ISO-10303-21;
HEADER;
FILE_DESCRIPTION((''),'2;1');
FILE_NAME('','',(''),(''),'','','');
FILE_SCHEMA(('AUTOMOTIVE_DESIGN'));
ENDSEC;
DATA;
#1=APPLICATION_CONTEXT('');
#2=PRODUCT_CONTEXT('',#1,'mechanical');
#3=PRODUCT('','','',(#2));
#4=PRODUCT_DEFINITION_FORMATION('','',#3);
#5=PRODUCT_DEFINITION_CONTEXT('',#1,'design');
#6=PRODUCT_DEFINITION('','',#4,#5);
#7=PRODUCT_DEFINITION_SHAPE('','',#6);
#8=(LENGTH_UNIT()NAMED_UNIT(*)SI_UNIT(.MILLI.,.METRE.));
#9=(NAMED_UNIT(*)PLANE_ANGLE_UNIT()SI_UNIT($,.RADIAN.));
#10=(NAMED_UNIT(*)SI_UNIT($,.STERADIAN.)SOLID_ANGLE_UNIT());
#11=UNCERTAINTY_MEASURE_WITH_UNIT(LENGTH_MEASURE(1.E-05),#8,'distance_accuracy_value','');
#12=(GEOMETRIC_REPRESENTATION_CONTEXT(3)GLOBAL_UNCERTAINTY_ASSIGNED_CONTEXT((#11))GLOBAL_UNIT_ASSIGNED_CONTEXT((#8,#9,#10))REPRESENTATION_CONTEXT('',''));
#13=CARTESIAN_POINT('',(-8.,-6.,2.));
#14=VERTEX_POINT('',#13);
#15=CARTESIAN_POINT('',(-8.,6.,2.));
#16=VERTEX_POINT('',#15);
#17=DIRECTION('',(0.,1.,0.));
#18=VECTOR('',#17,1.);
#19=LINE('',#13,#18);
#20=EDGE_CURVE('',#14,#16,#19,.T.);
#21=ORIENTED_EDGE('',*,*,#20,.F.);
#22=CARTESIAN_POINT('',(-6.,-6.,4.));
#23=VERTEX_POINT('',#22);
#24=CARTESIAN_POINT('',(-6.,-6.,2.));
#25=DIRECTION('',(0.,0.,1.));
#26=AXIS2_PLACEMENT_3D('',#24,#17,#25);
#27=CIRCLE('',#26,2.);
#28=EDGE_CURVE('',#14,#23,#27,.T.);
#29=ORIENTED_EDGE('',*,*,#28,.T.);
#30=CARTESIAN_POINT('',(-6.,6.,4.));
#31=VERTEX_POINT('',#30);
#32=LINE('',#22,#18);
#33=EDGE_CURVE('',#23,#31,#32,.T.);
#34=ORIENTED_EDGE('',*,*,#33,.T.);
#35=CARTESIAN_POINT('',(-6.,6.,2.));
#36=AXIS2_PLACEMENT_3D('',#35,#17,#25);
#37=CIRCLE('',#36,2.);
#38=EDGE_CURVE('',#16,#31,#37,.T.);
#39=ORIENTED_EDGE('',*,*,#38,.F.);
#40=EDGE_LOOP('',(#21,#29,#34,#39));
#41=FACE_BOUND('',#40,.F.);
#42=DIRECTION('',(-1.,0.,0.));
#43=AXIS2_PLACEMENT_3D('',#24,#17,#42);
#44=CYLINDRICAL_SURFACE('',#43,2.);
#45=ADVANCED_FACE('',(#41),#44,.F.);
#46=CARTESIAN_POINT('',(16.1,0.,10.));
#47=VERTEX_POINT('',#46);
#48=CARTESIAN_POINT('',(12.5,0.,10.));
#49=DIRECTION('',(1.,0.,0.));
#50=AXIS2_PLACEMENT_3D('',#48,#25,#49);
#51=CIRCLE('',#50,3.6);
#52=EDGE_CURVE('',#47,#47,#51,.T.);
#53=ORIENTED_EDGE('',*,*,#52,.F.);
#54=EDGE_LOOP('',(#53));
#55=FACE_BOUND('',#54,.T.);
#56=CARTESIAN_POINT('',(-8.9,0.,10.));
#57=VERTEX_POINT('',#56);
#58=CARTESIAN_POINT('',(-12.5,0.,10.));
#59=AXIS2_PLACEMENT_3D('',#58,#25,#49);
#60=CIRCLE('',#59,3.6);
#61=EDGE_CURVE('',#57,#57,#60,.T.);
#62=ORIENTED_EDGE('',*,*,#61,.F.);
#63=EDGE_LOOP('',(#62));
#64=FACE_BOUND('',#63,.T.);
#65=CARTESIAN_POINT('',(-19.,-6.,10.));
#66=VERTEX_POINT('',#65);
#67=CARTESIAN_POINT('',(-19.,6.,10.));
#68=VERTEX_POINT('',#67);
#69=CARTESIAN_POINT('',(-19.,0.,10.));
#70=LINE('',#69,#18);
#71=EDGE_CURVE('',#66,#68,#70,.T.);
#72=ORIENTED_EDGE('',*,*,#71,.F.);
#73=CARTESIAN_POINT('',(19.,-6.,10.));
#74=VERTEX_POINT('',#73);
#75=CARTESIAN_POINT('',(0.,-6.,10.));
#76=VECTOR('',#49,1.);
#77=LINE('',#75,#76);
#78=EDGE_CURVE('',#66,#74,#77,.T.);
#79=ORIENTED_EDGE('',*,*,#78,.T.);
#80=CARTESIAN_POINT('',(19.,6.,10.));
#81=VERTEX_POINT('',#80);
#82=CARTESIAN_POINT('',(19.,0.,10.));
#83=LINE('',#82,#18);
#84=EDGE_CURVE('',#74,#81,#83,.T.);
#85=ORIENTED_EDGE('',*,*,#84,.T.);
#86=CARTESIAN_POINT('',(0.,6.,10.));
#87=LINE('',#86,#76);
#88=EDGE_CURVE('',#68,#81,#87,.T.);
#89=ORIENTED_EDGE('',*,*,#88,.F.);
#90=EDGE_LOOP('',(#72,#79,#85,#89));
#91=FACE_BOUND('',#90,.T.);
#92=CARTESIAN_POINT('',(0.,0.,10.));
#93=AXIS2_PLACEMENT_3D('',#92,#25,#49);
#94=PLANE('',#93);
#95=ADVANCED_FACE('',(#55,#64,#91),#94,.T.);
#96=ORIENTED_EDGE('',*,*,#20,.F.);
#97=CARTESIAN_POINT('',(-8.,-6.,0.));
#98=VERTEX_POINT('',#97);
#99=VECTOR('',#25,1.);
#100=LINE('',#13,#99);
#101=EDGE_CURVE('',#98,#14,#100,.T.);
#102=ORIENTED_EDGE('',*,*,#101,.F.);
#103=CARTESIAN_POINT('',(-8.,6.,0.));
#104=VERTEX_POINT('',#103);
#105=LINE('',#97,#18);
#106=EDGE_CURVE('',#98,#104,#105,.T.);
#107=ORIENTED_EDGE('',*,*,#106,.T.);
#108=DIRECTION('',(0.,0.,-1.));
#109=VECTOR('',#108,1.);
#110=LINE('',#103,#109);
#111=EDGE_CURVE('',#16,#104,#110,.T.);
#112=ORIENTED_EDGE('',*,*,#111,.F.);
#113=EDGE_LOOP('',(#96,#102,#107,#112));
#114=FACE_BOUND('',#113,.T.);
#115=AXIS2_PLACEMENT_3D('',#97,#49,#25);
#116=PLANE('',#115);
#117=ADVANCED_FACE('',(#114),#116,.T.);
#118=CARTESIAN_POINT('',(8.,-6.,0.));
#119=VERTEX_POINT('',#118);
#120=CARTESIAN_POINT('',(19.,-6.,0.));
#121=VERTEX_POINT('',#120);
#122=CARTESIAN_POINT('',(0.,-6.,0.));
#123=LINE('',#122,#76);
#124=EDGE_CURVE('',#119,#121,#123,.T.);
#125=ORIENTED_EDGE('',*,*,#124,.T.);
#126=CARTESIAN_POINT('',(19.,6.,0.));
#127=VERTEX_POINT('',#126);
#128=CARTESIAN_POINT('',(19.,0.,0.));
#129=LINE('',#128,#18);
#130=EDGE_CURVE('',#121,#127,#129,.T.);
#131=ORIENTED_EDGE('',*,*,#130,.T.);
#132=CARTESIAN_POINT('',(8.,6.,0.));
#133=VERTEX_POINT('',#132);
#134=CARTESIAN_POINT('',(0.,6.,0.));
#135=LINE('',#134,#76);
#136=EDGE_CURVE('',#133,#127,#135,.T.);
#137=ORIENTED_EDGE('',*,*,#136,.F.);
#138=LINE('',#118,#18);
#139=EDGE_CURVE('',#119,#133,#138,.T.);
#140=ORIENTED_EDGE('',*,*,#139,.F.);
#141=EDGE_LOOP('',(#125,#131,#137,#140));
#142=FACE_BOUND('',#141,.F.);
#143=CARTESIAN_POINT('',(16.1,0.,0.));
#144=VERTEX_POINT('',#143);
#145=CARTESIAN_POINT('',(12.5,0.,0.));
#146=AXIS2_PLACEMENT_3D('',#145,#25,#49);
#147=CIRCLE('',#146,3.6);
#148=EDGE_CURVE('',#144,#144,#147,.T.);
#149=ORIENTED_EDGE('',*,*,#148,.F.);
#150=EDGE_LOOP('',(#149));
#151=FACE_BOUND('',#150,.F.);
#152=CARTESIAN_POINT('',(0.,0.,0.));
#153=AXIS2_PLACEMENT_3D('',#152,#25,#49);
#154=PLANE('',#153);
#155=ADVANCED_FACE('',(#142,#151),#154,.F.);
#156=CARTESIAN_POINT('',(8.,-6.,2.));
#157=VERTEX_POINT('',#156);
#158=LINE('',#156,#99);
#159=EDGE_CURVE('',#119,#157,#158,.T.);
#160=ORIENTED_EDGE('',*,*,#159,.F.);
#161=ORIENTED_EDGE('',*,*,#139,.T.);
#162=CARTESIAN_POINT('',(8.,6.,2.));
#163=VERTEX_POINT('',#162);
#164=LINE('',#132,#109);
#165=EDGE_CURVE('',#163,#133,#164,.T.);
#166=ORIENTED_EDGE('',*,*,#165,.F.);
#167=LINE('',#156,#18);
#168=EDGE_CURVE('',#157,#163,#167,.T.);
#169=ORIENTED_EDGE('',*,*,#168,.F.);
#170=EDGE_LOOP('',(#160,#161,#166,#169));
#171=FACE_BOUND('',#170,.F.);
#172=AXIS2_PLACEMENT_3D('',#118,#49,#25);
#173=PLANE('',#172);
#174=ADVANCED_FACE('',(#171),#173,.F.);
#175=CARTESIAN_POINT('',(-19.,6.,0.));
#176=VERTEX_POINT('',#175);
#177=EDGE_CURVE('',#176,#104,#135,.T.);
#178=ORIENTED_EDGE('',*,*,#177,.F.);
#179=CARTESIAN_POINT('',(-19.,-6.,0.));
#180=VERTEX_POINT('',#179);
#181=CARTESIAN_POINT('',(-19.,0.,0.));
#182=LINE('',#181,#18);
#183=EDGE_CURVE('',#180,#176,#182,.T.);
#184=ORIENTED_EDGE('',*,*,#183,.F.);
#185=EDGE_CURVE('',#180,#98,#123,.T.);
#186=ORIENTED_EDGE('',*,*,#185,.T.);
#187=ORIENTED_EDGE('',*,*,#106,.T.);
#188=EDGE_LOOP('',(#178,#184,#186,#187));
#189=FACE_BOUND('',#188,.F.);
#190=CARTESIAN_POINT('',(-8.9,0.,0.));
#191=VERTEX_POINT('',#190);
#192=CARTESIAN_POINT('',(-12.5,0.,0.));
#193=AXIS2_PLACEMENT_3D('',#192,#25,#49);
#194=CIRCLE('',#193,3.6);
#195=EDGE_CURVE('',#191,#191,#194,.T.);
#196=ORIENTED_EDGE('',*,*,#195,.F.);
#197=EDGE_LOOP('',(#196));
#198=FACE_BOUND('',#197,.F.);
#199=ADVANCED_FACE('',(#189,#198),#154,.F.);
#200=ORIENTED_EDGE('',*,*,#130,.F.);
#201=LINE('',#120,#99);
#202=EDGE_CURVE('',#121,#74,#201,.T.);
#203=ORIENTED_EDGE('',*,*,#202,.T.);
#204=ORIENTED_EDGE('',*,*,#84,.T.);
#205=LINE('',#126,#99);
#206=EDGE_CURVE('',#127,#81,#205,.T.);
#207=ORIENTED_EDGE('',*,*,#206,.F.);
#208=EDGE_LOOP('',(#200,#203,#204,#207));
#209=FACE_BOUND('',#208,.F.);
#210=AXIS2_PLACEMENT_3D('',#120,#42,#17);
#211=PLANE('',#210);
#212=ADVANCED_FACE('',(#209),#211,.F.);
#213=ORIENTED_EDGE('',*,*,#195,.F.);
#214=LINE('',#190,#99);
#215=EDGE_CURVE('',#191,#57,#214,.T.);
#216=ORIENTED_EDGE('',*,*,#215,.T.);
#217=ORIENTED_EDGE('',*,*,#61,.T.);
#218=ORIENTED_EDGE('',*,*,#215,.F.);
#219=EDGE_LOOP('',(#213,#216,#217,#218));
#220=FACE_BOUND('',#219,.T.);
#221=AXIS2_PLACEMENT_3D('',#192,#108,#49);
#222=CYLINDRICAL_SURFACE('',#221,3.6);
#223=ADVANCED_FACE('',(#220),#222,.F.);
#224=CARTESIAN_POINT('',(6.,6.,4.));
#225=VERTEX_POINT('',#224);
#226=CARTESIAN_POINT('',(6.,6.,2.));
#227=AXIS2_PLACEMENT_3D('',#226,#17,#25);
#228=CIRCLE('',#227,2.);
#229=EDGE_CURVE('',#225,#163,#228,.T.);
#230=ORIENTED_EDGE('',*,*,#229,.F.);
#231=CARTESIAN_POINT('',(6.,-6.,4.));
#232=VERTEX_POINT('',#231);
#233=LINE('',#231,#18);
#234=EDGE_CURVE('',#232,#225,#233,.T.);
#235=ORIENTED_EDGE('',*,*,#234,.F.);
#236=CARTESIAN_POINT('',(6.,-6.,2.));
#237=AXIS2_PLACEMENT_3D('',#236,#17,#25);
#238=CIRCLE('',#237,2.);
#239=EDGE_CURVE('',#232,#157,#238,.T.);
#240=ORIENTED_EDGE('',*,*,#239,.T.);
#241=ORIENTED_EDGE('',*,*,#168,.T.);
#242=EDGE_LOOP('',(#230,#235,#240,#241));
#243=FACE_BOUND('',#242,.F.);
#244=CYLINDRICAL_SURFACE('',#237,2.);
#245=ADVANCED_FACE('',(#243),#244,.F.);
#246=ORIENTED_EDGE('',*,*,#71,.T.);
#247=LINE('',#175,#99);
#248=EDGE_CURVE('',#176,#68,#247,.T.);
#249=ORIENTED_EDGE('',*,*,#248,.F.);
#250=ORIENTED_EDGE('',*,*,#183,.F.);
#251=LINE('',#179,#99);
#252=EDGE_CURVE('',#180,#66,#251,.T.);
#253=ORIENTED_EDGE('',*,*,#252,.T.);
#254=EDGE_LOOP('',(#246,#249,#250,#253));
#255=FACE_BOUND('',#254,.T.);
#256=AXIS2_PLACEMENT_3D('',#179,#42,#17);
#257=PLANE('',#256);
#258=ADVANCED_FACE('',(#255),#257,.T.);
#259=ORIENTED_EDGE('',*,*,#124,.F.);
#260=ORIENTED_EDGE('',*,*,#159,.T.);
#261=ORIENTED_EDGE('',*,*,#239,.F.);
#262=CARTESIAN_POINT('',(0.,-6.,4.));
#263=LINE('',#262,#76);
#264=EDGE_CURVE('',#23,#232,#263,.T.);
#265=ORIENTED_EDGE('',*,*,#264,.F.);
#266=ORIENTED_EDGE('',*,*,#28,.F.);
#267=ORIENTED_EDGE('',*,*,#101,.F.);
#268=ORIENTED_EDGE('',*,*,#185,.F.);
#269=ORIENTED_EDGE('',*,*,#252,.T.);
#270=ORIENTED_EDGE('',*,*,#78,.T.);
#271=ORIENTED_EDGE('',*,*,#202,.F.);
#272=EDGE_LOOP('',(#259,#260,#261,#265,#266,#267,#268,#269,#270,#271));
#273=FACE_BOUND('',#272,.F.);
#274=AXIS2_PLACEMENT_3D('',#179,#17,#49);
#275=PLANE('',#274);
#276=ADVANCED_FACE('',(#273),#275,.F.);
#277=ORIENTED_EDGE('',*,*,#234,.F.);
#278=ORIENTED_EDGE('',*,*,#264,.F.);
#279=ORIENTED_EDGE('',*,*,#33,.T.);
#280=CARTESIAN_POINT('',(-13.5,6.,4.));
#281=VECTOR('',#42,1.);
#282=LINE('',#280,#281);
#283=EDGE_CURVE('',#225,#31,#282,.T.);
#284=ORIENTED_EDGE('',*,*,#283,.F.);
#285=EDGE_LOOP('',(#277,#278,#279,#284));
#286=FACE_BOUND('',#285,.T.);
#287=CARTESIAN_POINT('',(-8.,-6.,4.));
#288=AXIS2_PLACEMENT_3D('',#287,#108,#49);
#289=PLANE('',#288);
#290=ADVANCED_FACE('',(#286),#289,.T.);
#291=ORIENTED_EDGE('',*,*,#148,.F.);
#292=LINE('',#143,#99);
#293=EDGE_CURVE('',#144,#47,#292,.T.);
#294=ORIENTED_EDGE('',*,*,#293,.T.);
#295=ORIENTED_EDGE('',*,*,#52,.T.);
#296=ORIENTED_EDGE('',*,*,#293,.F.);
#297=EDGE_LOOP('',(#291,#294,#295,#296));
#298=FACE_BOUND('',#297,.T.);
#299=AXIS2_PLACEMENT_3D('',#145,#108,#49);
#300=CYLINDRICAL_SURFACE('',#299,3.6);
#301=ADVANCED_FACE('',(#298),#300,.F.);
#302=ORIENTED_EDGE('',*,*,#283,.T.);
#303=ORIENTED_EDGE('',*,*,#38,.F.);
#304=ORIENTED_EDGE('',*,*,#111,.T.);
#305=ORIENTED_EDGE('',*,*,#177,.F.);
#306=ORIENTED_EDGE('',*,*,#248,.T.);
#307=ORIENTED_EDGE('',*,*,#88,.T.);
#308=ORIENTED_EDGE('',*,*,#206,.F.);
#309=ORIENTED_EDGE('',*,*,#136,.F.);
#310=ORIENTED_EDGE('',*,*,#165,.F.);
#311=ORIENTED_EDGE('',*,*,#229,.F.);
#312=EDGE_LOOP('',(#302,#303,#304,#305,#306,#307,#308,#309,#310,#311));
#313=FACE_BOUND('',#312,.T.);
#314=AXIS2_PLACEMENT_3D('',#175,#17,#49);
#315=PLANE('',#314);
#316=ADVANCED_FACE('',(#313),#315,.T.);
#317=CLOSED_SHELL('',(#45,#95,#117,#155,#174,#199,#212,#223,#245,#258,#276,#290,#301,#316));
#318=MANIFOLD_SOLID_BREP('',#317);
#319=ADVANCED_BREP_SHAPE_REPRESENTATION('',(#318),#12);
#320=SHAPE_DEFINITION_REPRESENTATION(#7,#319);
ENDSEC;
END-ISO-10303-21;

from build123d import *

# Parameters (mm, degrees)
F0_W     = 38
F0_H     = 12
F0_R     = 3.6
F1_DEPTH = 10
F2_W     = 16
F2_H     = 4
F3_DEPTH = 12.001
F4_R     = 2


with BuildPart() as f1:
    # F0 (on Top) → F1 (new body)
    with BuildSketch(Plane.XY):
        Rectangle(F0_W, F0_H)
        with Locations((-12.5, 0)):
            Circle(F0_R, mode=Mode.SUBTRACT)
        with Locations((12.5, 0)):
            Circle(F0_R, mode=Mode.SUBTRACT)
    extrude(amount=F1_DEPTH)

    # F2 (on face) → F3 (cut, through all)
    with BuildSketch(Plane.XZ.offset(6)):
        with Locations((0, 2)):
            Rectangle(F2_W, F2_H)
    extrude(amount=-F3_DEPTH, mode=Mode.SUBTRACT)

    # F4
    f4_edges = [f1.edges().sort_by_distance(p)[0] for p in [
        (-8, 0, 4),
        (8, 0, 4),
    ]]
    fillet(f4_edges, radius=F4_R)


solid = f1.part
